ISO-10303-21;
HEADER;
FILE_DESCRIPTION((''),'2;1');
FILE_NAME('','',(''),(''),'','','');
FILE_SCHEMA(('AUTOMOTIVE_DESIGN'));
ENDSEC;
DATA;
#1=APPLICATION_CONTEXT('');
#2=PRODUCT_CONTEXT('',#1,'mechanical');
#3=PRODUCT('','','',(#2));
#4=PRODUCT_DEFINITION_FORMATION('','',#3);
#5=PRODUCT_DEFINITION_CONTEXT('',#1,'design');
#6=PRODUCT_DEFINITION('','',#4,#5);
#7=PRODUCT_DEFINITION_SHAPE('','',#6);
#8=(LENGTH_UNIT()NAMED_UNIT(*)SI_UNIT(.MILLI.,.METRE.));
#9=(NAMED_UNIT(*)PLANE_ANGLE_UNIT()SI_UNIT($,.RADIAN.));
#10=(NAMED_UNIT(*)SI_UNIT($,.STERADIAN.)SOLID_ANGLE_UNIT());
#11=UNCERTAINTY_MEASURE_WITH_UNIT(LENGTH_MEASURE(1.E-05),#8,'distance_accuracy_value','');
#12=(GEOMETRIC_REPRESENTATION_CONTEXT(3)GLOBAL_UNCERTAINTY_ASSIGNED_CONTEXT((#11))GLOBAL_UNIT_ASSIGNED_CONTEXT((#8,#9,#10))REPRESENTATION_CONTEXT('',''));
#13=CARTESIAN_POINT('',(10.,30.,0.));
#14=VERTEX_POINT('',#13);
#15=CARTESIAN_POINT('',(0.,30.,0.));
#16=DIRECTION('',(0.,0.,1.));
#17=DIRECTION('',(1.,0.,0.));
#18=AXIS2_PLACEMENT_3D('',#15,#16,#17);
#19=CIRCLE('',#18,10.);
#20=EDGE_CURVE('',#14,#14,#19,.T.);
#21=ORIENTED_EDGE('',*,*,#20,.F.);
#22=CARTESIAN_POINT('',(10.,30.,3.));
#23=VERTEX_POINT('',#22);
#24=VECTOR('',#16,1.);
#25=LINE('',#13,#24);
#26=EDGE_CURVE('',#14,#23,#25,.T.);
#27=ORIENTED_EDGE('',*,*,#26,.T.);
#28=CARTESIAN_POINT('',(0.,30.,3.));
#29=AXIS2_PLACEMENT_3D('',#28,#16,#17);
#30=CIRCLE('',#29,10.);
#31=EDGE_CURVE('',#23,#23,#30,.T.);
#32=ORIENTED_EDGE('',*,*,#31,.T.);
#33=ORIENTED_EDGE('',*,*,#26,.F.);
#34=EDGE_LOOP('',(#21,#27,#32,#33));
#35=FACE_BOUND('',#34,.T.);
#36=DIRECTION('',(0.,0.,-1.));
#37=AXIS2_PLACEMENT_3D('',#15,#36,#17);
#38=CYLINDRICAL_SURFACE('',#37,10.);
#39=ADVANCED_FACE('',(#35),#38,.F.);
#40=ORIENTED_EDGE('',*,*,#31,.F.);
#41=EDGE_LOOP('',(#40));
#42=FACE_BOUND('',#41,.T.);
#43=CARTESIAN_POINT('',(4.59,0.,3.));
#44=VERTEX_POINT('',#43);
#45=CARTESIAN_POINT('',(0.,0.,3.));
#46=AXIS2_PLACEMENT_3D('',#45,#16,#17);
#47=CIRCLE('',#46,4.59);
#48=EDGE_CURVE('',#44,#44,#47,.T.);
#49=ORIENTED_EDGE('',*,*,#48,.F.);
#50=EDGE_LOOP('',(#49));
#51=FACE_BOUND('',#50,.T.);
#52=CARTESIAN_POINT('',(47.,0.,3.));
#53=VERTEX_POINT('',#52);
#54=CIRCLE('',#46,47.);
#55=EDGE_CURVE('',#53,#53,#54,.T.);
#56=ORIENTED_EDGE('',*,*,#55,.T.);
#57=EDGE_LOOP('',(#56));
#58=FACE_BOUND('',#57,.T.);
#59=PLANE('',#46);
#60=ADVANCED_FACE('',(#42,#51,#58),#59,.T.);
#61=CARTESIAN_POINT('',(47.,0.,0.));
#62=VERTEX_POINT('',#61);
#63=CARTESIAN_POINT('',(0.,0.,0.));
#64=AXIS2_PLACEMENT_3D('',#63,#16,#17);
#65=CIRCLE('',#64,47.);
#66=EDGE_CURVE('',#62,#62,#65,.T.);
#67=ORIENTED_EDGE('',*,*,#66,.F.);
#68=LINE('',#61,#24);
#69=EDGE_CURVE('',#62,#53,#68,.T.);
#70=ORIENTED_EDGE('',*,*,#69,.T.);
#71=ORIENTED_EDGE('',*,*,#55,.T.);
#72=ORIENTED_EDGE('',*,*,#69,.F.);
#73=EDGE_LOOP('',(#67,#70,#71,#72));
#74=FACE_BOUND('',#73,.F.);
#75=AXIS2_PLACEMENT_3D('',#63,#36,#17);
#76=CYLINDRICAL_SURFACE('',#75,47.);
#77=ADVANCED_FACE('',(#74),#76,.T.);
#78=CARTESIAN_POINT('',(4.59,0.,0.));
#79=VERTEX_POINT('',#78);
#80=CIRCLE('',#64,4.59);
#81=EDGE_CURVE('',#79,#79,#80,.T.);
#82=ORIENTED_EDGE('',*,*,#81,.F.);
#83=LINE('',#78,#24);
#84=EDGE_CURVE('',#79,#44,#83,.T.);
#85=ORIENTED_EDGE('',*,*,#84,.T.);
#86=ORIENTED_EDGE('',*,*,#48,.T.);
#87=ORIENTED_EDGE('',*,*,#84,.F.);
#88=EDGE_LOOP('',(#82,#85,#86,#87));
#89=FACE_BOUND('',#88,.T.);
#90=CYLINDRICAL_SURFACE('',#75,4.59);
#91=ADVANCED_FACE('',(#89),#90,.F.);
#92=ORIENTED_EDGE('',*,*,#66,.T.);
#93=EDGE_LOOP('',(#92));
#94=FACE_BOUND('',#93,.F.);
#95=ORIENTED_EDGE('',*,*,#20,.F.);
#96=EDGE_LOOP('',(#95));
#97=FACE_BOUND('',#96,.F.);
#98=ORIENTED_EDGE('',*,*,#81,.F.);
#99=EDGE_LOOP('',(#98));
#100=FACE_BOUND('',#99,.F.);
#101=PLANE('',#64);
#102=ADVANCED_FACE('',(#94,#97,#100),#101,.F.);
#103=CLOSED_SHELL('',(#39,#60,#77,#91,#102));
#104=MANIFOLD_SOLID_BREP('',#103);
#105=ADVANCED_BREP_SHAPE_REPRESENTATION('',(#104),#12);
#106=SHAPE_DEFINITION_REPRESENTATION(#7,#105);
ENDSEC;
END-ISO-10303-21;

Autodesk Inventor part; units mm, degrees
ref_plane "YZ Plane" through (0, 0, 0) normal (1, 0, 0) x (0, 1, 0)
ref_plane "XZ Plane" through (0, 0, 0) normal (0, 1, 0) x (-1, 0, 0)
ref_plane "XY Plane" through (0, 0, 0) normal (0, 0, 1) x (1, 0, 0)
sketch "Sketch1" plane through (0, 0, 0) normal (0, 0, 1) x (1, 0, 0)
  circle A0 centre (0, 0) radius 47
  circle A1 centre (0, 0) radius 4.59
  circle A2 centre (0, 30) radius 10
  dimension "d0" = 94
  dimension "d1" = 9.18
  dimension "d4" = 20
  dimension "d5" = 30
extrude "Extrusion2" add sketch "Sketch1" along normal blind 3
properties part number "OpenROV 2_3_2 Dev EndCap 94"
